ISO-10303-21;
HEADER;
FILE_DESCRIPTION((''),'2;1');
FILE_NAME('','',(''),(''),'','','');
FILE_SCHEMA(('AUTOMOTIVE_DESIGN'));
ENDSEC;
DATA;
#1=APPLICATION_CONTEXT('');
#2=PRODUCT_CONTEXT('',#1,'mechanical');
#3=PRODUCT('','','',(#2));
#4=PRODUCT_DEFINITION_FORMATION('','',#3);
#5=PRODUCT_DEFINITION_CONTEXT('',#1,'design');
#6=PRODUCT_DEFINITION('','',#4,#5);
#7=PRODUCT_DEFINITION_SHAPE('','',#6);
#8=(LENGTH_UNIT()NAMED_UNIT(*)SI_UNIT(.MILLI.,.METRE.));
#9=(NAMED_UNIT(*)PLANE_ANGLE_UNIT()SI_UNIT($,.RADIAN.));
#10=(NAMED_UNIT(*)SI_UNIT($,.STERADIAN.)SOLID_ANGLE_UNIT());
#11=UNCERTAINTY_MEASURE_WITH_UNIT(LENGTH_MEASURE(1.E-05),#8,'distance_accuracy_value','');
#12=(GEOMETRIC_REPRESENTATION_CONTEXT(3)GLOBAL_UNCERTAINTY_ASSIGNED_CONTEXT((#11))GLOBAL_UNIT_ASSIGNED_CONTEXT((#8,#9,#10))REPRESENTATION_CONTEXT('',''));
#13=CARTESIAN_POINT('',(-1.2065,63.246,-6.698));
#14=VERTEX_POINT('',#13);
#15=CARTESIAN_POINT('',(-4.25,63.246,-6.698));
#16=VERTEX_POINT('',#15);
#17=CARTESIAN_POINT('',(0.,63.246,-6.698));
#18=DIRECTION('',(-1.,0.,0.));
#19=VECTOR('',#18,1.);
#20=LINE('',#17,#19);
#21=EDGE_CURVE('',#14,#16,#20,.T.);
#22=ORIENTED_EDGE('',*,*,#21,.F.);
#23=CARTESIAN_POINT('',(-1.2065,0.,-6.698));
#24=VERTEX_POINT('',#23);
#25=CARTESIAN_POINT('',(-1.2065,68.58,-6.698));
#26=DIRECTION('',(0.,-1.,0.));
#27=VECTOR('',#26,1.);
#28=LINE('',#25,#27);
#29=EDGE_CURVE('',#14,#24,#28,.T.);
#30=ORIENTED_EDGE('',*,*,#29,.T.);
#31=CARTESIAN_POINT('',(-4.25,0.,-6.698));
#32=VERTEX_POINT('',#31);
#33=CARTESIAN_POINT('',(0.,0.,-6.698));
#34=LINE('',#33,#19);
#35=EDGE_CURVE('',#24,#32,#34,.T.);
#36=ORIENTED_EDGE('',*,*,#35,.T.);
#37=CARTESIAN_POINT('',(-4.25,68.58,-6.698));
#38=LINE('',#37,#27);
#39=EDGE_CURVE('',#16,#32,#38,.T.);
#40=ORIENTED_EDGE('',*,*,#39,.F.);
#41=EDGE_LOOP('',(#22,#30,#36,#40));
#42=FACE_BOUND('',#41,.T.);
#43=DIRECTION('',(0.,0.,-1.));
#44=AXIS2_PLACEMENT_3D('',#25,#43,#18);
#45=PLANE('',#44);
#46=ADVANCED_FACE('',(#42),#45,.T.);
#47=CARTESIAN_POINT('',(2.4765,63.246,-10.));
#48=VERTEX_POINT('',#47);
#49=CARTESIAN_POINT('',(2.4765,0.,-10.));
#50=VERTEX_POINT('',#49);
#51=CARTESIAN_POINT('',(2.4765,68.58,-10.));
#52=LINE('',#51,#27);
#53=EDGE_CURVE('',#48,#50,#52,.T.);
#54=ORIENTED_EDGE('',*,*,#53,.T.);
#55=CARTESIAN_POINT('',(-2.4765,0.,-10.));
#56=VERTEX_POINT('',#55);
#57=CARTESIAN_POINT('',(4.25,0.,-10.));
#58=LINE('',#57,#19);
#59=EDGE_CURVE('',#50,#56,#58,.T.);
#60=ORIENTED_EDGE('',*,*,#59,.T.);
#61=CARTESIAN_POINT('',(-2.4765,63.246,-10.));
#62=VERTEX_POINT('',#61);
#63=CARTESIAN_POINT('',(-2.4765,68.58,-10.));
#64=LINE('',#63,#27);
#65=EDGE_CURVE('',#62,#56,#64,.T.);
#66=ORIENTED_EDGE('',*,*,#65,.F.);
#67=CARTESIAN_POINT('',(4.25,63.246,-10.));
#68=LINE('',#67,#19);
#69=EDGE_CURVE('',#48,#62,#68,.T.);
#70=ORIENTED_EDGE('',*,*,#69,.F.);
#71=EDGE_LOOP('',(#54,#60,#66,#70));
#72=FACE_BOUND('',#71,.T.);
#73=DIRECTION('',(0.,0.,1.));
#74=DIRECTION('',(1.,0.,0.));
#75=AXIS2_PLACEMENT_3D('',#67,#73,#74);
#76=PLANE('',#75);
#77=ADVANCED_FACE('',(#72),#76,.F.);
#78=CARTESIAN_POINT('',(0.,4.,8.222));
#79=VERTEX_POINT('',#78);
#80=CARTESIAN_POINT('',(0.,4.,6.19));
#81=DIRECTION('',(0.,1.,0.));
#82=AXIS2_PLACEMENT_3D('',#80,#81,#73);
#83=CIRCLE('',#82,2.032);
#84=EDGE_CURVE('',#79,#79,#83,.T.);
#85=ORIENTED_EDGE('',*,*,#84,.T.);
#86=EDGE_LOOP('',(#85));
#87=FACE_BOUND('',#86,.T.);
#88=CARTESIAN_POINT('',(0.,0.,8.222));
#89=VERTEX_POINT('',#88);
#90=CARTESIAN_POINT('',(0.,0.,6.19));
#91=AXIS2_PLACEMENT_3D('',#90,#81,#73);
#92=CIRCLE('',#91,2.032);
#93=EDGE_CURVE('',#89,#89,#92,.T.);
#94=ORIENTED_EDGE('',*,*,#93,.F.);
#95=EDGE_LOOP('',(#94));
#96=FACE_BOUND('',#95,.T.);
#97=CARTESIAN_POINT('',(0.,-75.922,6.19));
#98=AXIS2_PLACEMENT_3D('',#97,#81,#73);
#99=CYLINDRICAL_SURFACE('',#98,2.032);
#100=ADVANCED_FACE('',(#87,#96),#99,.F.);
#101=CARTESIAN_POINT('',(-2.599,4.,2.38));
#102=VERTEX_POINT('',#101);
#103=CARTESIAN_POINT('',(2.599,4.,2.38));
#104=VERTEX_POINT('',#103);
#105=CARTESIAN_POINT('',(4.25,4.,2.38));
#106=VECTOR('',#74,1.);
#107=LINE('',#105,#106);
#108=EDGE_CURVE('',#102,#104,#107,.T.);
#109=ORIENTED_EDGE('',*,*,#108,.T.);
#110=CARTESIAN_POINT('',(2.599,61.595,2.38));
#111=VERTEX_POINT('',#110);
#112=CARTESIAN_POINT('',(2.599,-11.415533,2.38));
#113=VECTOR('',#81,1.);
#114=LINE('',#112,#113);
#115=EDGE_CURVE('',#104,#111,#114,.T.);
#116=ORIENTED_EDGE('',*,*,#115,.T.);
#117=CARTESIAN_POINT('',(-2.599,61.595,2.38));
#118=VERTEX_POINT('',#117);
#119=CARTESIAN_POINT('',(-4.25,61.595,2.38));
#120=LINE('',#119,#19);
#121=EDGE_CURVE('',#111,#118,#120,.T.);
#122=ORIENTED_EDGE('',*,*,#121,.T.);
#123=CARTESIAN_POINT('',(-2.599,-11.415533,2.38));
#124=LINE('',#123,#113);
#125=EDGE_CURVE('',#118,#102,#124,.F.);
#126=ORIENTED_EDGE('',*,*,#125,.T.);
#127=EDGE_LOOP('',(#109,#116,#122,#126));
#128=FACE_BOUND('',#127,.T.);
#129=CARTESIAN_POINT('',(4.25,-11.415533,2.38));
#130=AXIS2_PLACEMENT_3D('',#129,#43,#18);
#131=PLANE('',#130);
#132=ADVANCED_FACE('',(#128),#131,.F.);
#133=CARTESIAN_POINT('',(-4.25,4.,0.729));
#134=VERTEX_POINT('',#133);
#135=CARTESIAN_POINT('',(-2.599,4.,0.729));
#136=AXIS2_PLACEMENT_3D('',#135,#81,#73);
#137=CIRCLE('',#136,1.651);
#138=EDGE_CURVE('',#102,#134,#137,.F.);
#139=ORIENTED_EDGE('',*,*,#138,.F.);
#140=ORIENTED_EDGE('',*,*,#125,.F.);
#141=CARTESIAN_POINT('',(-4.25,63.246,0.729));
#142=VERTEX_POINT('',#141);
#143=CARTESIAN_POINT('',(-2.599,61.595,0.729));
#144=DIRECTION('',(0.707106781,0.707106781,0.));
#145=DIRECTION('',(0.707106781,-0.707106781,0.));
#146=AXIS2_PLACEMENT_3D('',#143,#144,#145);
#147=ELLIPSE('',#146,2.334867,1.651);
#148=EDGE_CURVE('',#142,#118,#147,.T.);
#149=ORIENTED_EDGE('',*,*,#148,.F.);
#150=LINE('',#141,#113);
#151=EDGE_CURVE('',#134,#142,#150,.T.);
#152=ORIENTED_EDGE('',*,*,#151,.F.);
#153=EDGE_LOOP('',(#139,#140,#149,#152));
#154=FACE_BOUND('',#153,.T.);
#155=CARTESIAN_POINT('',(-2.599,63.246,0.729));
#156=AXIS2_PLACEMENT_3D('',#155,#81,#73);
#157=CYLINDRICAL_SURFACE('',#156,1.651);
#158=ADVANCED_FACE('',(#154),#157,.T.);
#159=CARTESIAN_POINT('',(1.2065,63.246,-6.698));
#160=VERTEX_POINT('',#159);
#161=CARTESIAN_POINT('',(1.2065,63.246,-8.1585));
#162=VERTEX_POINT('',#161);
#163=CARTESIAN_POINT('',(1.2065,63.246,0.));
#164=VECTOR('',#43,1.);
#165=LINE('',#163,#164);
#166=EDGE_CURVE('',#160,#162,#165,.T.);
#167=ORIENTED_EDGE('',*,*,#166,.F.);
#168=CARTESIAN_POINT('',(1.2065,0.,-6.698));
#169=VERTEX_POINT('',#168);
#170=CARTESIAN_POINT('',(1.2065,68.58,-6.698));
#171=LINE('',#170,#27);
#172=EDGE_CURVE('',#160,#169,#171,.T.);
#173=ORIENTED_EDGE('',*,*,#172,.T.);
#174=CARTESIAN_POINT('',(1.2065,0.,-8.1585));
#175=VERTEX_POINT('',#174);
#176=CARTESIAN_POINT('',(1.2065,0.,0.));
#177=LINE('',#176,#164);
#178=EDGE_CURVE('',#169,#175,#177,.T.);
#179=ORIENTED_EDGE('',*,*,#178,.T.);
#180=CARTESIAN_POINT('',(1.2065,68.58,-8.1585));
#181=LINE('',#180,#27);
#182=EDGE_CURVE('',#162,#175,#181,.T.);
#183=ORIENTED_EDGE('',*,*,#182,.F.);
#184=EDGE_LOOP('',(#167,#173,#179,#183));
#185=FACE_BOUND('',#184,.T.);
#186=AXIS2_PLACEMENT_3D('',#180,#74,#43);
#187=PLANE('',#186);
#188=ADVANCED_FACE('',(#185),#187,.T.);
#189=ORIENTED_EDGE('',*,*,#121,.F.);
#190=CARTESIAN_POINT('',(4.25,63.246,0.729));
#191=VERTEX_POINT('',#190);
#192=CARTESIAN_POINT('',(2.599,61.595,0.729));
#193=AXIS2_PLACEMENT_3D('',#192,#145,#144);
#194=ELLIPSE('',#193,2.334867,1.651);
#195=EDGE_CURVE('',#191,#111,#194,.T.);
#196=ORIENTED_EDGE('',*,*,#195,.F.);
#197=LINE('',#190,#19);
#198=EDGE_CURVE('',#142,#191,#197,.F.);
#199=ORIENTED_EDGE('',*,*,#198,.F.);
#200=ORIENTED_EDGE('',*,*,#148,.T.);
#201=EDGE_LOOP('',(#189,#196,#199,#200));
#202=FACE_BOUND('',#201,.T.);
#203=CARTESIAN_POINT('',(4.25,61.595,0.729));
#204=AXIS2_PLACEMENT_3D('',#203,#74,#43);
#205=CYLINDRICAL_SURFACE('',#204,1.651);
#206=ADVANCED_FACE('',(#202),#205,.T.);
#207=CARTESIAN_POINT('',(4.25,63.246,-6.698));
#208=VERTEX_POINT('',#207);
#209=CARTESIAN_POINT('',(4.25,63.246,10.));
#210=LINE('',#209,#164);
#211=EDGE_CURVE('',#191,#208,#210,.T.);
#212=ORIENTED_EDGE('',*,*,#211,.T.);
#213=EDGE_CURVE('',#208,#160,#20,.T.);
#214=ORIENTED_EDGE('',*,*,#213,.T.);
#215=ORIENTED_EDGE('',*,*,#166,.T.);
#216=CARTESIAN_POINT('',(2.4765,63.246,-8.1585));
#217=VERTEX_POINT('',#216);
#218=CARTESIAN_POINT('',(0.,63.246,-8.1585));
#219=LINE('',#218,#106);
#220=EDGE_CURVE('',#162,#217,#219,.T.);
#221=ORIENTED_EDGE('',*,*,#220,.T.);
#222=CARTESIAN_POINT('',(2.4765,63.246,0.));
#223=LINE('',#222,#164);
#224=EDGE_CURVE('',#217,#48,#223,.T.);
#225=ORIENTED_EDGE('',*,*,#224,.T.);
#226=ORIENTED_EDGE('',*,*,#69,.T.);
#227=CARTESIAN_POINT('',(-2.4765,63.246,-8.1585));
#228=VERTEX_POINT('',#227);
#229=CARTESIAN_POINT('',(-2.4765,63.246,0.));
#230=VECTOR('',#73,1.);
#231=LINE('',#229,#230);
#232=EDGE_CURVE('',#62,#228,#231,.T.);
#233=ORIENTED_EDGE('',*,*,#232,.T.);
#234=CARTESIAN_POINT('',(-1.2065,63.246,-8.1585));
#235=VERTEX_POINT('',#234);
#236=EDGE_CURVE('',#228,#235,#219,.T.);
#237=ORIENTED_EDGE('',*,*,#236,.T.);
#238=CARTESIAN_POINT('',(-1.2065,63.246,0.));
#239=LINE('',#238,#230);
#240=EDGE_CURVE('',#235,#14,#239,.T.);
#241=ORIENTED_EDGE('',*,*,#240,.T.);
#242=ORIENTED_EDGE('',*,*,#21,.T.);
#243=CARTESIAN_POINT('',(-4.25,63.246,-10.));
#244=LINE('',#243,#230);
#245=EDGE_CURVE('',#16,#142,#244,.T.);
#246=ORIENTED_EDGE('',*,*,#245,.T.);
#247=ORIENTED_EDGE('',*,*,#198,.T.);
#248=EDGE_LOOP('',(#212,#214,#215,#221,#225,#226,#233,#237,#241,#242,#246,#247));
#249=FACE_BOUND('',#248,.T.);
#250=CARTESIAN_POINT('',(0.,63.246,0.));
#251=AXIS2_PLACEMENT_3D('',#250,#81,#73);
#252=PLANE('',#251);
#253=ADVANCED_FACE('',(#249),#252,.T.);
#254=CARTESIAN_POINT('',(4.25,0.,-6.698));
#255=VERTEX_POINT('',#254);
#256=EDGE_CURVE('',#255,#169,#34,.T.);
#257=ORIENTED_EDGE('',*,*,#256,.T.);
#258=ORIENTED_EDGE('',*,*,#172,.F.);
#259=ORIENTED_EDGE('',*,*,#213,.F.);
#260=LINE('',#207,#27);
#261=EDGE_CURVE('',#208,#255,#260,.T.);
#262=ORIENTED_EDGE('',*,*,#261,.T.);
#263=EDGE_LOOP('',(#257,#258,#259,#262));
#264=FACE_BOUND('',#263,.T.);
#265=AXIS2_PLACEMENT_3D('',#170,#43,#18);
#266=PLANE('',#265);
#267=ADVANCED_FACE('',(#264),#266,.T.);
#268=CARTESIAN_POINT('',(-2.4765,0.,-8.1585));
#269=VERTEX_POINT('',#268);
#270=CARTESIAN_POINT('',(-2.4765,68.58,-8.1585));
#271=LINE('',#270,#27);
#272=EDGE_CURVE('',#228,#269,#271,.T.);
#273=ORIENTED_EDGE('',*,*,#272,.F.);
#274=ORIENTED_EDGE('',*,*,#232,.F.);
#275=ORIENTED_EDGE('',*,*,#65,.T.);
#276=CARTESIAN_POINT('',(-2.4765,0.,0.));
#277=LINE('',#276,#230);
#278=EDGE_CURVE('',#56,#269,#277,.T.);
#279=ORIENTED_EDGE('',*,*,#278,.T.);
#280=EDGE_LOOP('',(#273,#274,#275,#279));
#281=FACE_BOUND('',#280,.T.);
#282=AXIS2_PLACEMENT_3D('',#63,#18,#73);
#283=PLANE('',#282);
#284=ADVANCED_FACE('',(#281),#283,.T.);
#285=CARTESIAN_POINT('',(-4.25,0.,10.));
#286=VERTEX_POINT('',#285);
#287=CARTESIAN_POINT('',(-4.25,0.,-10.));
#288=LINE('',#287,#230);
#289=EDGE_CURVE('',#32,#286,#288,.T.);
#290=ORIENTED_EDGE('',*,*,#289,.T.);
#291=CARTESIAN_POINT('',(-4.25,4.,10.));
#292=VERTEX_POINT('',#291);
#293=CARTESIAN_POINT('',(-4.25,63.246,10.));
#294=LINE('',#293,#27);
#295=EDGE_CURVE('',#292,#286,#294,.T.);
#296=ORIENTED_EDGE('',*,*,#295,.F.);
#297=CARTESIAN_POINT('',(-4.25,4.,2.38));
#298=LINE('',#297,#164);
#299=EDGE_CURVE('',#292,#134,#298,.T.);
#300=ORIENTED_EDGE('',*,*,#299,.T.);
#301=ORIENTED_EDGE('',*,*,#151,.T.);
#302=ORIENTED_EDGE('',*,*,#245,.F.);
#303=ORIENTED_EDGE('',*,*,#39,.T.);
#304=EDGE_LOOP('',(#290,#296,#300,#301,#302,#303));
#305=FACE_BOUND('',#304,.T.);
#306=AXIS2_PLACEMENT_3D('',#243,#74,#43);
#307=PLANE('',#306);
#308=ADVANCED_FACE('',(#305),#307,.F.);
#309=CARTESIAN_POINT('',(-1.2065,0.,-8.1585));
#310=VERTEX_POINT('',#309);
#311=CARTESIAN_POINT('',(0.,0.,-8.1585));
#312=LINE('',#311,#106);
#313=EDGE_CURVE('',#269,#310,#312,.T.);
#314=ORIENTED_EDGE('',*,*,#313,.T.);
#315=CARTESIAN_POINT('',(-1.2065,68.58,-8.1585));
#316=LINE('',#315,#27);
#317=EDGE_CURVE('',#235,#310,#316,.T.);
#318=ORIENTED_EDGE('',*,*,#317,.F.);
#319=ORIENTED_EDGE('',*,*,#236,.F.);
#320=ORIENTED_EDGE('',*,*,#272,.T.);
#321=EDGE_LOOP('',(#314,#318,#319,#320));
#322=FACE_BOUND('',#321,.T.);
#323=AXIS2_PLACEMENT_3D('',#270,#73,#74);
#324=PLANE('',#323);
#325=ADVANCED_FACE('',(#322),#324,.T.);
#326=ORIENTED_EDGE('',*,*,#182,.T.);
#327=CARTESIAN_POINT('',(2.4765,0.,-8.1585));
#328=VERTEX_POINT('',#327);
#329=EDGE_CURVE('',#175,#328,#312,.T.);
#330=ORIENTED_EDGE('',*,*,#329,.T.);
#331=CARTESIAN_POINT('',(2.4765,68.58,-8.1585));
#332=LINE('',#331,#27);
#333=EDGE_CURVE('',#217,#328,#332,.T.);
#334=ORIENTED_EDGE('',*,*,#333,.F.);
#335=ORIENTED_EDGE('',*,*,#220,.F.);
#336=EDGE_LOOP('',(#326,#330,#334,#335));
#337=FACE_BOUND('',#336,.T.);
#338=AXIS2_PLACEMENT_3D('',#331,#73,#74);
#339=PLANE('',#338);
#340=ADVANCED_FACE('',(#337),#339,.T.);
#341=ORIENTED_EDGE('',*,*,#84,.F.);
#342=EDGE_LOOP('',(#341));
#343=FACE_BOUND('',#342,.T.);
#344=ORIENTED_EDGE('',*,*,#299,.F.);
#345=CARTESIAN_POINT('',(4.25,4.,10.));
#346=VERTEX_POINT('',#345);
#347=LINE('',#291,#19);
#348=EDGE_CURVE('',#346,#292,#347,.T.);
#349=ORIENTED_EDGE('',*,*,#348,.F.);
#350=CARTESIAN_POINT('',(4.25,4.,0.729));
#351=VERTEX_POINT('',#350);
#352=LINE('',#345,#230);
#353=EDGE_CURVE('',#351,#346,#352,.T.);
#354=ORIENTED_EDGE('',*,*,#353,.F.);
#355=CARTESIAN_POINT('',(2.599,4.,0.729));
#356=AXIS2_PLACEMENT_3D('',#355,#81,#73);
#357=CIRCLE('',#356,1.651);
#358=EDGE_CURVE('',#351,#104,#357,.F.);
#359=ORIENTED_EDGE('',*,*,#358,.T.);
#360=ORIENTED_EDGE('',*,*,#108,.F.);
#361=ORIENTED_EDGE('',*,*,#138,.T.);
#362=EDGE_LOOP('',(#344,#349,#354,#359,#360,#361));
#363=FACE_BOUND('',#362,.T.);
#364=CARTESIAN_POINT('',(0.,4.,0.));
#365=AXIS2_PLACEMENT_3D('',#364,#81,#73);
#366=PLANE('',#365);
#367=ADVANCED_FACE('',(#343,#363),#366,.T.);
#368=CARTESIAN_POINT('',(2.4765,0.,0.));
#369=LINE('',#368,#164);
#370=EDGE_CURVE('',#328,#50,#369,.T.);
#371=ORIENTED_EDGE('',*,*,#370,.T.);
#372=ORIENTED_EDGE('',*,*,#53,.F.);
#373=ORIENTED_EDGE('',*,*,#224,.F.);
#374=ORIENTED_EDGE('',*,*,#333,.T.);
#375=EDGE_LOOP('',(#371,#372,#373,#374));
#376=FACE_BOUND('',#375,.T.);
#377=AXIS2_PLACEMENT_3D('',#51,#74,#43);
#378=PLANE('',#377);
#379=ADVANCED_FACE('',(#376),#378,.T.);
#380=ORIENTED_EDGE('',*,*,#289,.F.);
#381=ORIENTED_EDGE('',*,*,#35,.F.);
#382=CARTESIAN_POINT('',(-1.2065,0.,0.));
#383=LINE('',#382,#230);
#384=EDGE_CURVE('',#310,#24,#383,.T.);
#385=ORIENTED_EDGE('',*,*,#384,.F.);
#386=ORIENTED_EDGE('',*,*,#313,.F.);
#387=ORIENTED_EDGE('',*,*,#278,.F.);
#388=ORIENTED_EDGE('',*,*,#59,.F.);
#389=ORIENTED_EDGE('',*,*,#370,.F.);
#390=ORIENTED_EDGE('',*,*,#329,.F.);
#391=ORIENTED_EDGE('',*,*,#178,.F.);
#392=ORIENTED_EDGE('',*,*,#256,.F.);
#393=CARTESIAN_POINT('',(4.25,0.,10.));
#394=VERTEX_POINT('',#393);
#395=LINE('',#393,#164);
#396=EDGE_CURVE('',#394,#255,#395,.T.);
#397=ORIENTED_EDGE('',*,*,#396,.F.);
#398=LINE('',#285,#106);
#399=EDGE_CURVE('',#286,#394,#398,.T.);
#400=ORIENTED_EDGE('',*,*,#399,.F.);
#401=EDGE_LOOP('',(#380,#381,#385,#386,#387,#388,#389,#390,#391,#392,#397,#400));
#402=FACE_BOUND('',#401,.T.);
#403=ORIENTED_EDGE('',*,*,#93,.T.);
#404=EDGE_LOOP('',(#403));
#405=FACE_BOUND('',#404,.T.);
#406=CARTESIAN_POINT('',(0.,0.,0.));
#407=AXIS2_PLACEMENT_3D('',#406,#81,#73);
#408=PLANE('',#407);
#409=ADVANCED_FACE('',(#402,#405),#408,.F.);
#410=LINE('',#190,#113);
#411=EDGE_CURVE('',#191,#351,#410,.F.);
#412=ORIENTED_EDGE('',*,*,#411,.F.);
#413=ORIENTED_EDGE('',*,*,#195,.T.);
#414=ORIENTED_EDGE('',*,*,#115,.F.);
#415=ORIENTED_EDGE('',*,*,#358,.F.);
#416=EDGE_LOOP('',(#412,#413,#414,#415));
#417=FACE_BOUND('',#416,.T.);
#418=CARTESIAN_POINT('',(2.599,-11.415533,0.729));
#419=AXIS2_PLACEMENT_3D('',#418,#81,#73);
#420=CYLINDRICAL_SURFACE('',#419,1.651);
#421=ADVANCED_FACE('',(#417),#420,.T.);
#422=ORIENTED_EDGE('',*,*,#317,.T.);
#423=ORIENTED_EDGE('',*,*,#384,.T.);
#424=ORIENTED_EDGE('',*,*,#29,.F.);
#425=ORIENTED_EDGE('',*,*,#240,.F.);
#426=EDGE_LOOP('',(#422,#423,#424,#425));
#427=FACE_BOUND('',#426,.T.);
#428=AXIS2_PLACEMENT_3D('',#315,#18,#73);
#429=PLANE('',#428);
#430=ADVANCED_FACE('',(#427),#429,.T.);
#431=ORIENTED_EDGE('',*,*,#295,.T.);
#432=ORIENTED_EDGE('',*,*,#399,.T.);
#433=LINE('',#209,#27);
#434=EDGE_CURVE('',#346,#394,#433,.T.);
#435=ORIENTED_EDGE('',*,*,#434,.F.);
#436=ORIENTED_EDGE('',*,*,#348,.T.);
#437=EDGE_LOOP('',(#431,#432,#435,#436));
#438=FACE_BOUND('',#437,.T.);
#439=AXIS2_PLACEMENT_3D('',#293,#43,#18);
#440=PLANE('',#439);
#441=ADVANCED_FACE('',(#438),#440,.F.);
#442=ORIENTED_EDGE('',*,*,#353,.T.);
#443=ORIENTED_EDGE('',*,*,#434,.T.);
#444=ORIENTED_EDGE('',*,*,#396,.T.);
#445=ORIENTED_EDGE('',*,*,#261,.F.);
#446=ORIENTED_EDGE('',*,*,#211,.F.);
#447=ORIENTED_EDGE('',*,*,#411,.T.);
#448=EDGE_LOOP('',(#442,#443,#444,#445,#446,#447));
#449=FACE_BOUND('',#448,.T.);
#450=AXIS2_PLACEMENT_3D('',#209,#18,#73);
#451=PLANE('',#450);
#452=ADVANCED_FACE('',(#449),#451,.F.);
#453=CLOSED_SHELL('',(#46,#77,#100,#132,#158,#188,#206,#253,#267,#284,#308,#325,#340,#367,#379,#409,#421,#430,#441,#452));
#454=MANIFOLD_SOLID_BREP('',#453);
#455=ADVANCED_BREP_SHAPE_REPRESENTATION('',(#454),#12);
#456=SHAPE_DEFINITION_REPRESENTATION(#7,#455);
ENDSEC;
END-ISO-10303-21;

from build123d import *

# Parameters (mm, degrees)
SKETCH1_W               = 8.5
SKETCH1_H               = 20
BOSS_EXTRUDE1_DEPTH     = 63.246
SKETCH2_W               = 8.5
SKETCH2_H               = 7.62
CUT_EXTRUDE1_DEPTH      = 59.246
CUT_EXTRUDE2_DEPTH      = 5.334
CUT_EXTRUDE2_DEPTH_BACK = 79.922
SKETCH5_R               = 2.032
CUT_EXTRUDE3_DEPTH      = 79.922
FILLET1_R               = 1.651


with BuildPart() as part:
    # Sketch1 → Boss-Extrude1 (new body)
    with BuildSketch(Plane(origin=(0, 0, 0), x_dir=(1, 0, 0), z_dir=(0, 1, 0))):
        Rectangle(SKETCH1_W, SKETCH1_H)
    extrude(amount=BOSS_EXTRUDE1_DEPTH)

    # Sketch2 → Cut-Extrude1 (cut)
    with BuildSketch(Plane(origin=(0, 63.246, 0), x_dir=(1, 0, 0), z_dir=(0, 1, 0))):
        with Locations((0, -6.19)):
            Rectangle(SKETCH2_W, SKETCH2_H)
    extrude(amount=-CUT_EXTRUDE1_DEPTH, mode=Mode.SUBTRACT)

    # Sketch4 → Cut-Extrude2 (cut, two sides)
    with BuildSketch(Plane(origin=(0, 63.246, 0), x_dir=(1, 0, 0), z_dir=(0, 1, 0))) as cut_extrude2_sk:
        Polygon((-1.2065, 6.698), (-4.25, 6.698), (-4.25, 10), (-2.4765, 10), (-2.4765, 8.1585), (-1.2065, 8.1585), align=None)
        Polygon((1.2065, 6.698), (4.25, 6.698), (4.25, 10), (2.4765, 10), (2.4765, 8.1585), (1.2065, 8.1585), align=None)
    extrude(amount=CUT_EXTRUDE2_DEPTH, mode=Mode.SUBTRACT)
    extrude(cut_extrude2_sk.sketch, amount=-CUT_EXTRUDE2_DEPTH_BACK, mode=Mode.SUBTRACT)

    # Sketch5 → Cut-Extrude3 (cut)
    with BuildSketch(Plane(origin=(0, 4, 0), x_dir=(1, 0, 0), z_dir=(0, 1, 0))):
        with Locations((0, -6.19)):
            Circle(SKETCH5_R)
    extrude(amount=-CUT_EXTRUDE3_DEPTH, mode=Mode.SUBTRACT)

    # Fillet1
    fillet1_edges = [part.edges().sort_by_distance(p)[0] for p in [
        (4.25, 33.623, 2.38),
        (-4.25, 33.623, 2.38),
        (0, 63.246, 2.38),
    ]]
    fillet(fillet1_edges, radius=FILLET1_R)


solid = part.part
